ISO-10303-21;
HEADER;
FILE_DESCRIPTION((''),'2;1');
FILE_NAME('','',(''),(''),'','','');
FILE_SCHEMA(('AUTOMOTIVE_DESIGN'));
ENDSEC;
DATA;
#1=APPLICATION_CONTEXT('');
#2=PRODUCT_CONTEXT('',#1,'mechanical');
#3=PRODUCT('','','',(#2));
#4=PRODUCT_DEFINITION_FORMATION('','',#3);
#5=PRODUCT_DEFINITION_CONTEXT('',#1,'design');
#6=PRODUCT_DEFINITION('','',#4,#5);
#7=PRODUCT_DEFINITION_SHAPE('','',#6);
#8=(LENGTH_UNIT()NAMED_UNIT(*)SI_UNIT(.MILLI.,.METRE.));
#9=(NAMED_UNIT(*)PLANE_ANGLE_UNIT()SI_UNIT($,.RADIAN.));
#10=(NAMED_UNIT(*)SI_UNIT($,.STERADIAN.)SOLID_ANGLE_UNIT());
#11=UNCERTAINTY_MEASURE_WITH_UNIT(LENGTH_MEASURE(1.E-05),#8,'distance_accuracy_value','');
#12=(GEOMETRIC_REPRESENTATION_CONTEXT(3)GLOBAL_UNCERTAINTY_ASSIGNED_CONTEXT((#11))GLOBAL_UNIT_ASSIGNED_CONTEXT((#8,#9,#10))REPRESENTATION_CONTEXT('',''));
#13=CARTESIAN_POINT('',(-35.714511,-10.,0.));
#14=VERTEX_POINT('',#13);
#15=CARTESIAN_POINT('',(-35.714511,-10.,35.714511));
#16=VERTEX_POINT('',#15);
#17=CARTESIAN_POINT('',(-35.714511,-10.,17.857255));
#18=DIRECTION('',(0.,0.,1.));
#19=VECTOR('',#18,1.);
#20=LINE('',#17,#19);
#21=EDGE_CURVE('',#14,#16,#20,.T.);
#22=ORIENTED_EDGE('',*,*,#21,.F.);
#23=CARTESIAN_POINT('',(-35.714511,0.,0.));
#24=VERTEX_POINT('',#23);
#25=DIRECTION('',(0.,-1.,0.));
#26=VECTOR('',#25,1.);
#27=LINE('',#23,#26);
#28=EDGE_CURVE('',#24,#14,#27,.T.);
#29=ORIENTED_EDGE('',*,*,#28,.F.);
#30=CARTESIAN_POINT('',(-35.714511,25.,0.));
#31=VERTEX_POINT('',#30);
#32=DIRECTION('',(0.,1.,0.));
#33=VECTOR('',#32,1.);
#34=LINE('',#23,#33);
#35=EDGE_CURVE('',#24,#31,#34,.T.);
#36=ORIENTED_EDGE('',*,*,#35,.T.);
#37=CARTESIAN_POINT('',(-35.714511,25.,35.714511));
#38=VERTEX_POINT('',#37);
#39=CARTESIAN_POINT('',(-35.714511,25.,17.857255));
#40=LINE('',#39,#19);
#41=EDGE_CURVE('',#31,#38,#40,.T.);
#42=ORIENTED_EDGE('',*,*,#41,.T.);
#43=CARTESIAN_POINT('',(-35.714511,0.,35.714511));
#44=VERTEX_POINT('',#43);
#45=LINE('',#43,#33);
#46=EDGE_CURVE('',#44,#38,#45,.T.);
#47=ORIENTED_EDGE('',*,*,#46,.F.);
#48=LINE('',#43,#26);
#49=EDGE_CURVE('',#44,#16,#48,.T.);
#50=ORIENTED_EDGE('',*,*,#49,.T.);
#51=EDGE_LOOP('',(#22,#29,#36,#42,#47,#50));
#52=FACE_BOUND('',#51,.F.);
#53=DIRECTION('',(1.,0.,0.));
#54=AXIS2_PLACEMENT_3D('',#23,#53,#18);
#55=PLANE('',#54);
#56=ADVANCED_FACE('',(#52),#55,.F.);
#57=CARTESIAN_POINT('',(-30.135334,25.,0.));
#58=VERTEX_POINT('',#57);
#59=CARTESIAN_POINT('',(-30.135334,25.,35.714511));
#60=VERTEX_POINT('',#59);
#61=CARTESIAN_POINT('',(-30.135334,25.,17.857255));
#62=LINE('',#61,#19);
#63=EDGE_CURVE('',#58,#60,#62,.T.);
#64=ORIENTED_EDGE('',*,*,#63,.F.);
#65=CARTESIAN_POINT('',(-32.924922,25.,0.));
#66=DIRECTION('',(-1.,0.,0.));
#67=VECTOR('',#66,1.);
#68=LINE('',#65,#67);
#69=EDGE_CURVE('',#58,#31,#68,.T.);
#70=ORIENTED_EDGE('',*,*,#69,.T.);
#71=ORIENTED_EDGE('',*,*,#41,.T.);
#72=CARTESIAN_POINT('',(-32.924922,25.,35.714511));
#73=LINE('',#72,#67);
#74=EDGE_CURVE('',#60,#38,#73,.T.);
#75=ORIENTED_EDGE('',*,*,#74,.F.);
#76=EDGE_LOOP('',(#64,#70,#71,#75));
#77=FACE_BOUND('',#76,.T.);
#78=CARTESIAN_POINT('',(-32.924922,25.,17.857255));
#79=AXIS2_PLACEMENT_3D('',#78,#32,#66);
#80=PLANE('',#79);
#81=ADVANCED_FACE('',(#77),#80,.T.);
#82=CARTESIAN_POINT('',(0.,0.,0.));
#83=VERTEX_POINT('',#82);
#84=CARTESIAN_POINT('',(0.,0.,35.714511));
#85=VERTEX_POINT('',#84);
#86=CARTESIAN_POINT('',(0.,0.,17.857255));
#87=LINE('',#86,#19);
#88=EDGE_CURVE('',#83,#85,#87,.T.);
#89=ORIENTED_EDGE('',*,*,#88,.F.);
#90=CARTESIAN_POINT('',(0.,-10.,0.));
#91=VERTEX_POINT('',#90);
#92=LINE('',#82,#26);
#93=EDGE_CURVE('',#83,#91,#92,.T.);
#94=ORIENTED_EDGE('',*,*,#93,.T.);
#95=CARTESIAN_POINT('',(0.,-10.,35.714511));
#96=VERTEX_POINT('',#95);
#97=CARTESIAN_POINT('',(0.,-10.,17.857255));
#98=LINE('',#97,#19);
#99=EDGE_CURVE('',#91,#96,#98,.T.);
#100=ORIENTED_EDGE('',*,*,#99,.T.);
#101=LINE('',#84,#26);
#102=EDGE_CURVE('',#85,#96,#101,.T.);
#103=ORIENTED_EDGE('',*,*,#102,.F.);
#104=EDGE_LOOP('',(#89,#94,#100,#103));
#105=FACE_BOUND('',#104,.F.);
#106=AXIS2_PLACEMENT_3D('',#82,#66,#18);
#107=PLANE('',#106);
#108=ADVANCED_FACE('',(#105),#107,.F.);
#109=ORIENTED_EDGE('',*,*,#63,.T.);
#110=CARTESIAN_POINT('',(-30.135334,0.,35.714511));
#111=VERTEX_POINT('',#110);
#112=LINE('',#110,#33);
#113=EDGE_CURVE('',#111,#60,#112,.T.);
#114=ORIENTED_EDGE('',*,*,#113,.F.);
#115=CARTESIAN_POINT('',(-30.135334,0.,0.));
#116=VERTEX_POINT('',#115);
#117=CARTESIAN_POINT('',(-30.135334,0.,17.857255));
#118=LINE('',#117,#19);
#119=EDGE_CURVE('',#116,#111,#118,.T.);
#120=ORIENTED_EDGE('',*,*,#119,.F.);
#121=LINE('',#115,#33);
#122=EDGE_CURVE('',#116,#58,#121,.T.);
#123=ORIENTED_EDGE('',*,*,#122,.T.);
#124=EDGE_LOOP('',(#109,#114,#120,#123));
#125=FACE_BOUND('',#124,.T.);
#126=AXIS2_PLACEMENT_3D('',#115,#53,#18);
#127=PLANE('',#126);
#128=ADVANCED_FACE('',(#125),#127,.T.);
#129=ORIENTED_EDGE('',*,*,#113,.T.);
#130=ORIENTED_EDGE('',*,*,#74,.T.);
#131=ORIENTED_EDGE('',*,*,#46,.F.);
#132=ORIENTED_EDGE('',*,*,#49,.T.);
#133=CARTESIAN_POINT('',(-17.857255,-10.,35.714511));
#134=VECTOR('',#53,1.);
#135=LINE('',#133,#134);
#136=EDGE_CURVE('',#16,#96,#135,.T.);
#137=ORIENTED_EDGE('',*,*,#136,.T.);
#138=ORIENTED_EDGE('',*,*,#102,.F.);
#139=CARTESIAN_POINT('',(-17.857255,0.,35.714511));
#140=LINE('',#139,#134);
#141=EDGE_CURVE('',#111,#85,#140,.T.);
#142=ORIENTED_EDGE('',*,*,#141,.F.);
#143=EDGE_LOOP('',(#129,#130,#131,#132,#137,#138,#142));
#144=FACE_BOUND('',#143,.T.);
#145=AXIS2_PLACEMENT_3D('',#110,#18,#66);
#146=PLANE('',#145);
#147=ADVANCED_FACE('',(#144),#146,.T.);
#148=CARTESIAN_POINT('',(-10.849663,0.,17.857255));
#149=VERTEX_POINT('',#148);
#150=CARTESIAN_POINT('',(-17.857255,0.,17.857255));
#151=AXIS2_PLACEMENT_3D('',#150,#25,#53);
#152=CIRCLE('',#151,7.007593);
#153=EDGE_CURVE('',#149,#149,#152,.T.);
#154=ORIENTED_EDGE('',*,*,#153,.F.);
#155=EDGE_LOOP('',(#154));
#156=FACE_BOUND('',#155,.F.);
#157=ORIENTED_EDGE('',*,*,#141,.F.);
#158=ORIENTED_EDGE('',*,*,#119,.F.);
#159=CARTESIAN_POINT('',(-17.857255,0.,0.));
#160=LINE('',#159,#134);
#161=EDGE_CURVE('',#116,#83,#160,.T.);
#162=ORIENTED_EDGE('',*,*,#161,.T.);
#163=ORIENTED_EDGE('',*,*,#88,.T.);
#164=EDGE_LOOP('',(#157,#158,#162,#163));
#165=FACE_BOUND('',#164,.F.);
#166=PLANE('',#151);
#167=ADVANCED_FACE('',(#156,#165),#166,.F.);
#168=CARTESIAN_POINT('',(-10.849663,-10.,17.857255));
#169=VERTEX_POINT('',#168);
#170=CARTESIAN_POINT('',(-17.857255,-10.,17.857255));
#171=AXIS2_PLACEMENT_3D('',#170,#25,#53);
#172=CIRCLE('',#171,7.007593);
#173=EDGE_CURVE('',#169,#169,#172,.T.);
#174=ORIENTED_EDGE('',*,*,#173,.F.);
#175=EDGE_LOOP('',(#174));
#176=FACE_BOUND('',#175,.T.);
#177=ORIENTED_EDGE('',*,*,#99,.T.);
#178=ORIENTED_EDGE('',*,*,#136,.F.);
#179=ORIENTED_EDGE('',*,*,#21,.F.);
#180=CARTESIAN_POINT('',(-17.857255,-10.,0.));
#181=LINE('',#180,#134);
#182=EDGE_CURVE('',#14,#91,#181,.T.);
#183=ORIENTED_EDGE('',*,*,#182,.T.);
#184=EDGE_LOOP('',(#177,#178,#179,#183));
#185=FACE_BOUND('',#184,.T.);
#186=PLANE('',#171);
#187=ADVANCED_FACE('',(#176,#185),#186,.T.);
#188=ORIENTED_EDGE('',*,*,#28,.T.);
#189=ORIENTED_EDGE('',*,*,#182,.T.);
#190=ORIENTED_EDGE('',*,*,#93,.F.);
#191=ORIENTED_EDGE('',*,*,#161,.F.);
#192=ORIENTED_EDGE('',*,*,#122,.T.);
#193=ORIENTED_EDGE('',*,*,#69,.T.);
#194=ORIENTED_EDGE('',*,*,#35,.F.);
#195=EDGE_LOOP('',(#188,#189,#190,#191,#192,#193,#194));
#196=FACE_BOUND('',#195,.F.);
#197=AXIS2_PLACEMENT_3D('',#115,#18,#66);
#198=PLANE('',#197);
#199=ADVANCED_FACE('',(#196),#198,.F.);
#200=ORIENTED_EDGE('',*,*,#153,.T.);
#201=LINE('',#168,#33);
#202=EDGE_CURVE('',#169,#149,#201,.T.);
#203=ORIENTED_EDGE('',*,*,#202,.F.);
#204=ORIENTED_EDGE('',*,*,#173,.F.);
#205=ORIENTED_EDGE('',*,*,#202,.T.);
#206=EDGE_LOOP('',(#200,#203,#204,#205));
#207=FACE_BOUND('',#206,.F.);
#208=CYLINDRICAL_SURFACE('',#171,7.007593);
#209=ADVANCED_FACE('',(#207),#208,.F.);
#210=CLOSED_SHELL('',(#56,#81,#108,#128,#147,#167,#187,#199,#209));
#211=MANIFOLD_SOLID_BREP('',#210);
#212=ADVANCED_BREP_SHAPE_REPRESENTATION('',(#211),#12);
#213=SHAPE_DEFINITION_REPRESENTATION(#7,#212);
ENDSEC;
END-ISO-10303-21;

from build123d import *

# Parameters (mm, degrees)
F0_W     = 35.7145108283
F0_H     = 35.7145108283
F1_DEPTH = 10
F2_R     = 7.0075928512
F3_DEPTH = 25
F4_W     = 5.5791772902
F4_H     = 35.7145108283
F5_DEPTH = 25


with BuildPart() as f1:
    # F0 (on Front) → F1 (new body)
    with BuildSketch(Plane.XZ):
        with Locations((-17.8572554141, 17.8572554141)):
            Rectangle(F0_W, F0_H)
    extrude(amount=F1_DEPTH)

    # F2 (on face) → F3 (cut)
    with BuildSketch(Plane.XZ.offset(10)):
        with Locations((-17.8572554141, 17.8572554141)):
            Circle(F2_R)
    extrude(amount=-F3_DEPTH, mode=Mode.SUBTRACT)

    # F4 (on face) → F5 (join)
    with BuildSketch(Plane(origin=(0, 0, 0), x_dir=(-1, 0, 0), z_dir=(0, 1, 0))):
        with Locations((32.9249221832, 17.8572554141)):
            Rectangle(F4_W, F4_H)
    extrude(amount=F5_DEPTH)


solid = f1.part
